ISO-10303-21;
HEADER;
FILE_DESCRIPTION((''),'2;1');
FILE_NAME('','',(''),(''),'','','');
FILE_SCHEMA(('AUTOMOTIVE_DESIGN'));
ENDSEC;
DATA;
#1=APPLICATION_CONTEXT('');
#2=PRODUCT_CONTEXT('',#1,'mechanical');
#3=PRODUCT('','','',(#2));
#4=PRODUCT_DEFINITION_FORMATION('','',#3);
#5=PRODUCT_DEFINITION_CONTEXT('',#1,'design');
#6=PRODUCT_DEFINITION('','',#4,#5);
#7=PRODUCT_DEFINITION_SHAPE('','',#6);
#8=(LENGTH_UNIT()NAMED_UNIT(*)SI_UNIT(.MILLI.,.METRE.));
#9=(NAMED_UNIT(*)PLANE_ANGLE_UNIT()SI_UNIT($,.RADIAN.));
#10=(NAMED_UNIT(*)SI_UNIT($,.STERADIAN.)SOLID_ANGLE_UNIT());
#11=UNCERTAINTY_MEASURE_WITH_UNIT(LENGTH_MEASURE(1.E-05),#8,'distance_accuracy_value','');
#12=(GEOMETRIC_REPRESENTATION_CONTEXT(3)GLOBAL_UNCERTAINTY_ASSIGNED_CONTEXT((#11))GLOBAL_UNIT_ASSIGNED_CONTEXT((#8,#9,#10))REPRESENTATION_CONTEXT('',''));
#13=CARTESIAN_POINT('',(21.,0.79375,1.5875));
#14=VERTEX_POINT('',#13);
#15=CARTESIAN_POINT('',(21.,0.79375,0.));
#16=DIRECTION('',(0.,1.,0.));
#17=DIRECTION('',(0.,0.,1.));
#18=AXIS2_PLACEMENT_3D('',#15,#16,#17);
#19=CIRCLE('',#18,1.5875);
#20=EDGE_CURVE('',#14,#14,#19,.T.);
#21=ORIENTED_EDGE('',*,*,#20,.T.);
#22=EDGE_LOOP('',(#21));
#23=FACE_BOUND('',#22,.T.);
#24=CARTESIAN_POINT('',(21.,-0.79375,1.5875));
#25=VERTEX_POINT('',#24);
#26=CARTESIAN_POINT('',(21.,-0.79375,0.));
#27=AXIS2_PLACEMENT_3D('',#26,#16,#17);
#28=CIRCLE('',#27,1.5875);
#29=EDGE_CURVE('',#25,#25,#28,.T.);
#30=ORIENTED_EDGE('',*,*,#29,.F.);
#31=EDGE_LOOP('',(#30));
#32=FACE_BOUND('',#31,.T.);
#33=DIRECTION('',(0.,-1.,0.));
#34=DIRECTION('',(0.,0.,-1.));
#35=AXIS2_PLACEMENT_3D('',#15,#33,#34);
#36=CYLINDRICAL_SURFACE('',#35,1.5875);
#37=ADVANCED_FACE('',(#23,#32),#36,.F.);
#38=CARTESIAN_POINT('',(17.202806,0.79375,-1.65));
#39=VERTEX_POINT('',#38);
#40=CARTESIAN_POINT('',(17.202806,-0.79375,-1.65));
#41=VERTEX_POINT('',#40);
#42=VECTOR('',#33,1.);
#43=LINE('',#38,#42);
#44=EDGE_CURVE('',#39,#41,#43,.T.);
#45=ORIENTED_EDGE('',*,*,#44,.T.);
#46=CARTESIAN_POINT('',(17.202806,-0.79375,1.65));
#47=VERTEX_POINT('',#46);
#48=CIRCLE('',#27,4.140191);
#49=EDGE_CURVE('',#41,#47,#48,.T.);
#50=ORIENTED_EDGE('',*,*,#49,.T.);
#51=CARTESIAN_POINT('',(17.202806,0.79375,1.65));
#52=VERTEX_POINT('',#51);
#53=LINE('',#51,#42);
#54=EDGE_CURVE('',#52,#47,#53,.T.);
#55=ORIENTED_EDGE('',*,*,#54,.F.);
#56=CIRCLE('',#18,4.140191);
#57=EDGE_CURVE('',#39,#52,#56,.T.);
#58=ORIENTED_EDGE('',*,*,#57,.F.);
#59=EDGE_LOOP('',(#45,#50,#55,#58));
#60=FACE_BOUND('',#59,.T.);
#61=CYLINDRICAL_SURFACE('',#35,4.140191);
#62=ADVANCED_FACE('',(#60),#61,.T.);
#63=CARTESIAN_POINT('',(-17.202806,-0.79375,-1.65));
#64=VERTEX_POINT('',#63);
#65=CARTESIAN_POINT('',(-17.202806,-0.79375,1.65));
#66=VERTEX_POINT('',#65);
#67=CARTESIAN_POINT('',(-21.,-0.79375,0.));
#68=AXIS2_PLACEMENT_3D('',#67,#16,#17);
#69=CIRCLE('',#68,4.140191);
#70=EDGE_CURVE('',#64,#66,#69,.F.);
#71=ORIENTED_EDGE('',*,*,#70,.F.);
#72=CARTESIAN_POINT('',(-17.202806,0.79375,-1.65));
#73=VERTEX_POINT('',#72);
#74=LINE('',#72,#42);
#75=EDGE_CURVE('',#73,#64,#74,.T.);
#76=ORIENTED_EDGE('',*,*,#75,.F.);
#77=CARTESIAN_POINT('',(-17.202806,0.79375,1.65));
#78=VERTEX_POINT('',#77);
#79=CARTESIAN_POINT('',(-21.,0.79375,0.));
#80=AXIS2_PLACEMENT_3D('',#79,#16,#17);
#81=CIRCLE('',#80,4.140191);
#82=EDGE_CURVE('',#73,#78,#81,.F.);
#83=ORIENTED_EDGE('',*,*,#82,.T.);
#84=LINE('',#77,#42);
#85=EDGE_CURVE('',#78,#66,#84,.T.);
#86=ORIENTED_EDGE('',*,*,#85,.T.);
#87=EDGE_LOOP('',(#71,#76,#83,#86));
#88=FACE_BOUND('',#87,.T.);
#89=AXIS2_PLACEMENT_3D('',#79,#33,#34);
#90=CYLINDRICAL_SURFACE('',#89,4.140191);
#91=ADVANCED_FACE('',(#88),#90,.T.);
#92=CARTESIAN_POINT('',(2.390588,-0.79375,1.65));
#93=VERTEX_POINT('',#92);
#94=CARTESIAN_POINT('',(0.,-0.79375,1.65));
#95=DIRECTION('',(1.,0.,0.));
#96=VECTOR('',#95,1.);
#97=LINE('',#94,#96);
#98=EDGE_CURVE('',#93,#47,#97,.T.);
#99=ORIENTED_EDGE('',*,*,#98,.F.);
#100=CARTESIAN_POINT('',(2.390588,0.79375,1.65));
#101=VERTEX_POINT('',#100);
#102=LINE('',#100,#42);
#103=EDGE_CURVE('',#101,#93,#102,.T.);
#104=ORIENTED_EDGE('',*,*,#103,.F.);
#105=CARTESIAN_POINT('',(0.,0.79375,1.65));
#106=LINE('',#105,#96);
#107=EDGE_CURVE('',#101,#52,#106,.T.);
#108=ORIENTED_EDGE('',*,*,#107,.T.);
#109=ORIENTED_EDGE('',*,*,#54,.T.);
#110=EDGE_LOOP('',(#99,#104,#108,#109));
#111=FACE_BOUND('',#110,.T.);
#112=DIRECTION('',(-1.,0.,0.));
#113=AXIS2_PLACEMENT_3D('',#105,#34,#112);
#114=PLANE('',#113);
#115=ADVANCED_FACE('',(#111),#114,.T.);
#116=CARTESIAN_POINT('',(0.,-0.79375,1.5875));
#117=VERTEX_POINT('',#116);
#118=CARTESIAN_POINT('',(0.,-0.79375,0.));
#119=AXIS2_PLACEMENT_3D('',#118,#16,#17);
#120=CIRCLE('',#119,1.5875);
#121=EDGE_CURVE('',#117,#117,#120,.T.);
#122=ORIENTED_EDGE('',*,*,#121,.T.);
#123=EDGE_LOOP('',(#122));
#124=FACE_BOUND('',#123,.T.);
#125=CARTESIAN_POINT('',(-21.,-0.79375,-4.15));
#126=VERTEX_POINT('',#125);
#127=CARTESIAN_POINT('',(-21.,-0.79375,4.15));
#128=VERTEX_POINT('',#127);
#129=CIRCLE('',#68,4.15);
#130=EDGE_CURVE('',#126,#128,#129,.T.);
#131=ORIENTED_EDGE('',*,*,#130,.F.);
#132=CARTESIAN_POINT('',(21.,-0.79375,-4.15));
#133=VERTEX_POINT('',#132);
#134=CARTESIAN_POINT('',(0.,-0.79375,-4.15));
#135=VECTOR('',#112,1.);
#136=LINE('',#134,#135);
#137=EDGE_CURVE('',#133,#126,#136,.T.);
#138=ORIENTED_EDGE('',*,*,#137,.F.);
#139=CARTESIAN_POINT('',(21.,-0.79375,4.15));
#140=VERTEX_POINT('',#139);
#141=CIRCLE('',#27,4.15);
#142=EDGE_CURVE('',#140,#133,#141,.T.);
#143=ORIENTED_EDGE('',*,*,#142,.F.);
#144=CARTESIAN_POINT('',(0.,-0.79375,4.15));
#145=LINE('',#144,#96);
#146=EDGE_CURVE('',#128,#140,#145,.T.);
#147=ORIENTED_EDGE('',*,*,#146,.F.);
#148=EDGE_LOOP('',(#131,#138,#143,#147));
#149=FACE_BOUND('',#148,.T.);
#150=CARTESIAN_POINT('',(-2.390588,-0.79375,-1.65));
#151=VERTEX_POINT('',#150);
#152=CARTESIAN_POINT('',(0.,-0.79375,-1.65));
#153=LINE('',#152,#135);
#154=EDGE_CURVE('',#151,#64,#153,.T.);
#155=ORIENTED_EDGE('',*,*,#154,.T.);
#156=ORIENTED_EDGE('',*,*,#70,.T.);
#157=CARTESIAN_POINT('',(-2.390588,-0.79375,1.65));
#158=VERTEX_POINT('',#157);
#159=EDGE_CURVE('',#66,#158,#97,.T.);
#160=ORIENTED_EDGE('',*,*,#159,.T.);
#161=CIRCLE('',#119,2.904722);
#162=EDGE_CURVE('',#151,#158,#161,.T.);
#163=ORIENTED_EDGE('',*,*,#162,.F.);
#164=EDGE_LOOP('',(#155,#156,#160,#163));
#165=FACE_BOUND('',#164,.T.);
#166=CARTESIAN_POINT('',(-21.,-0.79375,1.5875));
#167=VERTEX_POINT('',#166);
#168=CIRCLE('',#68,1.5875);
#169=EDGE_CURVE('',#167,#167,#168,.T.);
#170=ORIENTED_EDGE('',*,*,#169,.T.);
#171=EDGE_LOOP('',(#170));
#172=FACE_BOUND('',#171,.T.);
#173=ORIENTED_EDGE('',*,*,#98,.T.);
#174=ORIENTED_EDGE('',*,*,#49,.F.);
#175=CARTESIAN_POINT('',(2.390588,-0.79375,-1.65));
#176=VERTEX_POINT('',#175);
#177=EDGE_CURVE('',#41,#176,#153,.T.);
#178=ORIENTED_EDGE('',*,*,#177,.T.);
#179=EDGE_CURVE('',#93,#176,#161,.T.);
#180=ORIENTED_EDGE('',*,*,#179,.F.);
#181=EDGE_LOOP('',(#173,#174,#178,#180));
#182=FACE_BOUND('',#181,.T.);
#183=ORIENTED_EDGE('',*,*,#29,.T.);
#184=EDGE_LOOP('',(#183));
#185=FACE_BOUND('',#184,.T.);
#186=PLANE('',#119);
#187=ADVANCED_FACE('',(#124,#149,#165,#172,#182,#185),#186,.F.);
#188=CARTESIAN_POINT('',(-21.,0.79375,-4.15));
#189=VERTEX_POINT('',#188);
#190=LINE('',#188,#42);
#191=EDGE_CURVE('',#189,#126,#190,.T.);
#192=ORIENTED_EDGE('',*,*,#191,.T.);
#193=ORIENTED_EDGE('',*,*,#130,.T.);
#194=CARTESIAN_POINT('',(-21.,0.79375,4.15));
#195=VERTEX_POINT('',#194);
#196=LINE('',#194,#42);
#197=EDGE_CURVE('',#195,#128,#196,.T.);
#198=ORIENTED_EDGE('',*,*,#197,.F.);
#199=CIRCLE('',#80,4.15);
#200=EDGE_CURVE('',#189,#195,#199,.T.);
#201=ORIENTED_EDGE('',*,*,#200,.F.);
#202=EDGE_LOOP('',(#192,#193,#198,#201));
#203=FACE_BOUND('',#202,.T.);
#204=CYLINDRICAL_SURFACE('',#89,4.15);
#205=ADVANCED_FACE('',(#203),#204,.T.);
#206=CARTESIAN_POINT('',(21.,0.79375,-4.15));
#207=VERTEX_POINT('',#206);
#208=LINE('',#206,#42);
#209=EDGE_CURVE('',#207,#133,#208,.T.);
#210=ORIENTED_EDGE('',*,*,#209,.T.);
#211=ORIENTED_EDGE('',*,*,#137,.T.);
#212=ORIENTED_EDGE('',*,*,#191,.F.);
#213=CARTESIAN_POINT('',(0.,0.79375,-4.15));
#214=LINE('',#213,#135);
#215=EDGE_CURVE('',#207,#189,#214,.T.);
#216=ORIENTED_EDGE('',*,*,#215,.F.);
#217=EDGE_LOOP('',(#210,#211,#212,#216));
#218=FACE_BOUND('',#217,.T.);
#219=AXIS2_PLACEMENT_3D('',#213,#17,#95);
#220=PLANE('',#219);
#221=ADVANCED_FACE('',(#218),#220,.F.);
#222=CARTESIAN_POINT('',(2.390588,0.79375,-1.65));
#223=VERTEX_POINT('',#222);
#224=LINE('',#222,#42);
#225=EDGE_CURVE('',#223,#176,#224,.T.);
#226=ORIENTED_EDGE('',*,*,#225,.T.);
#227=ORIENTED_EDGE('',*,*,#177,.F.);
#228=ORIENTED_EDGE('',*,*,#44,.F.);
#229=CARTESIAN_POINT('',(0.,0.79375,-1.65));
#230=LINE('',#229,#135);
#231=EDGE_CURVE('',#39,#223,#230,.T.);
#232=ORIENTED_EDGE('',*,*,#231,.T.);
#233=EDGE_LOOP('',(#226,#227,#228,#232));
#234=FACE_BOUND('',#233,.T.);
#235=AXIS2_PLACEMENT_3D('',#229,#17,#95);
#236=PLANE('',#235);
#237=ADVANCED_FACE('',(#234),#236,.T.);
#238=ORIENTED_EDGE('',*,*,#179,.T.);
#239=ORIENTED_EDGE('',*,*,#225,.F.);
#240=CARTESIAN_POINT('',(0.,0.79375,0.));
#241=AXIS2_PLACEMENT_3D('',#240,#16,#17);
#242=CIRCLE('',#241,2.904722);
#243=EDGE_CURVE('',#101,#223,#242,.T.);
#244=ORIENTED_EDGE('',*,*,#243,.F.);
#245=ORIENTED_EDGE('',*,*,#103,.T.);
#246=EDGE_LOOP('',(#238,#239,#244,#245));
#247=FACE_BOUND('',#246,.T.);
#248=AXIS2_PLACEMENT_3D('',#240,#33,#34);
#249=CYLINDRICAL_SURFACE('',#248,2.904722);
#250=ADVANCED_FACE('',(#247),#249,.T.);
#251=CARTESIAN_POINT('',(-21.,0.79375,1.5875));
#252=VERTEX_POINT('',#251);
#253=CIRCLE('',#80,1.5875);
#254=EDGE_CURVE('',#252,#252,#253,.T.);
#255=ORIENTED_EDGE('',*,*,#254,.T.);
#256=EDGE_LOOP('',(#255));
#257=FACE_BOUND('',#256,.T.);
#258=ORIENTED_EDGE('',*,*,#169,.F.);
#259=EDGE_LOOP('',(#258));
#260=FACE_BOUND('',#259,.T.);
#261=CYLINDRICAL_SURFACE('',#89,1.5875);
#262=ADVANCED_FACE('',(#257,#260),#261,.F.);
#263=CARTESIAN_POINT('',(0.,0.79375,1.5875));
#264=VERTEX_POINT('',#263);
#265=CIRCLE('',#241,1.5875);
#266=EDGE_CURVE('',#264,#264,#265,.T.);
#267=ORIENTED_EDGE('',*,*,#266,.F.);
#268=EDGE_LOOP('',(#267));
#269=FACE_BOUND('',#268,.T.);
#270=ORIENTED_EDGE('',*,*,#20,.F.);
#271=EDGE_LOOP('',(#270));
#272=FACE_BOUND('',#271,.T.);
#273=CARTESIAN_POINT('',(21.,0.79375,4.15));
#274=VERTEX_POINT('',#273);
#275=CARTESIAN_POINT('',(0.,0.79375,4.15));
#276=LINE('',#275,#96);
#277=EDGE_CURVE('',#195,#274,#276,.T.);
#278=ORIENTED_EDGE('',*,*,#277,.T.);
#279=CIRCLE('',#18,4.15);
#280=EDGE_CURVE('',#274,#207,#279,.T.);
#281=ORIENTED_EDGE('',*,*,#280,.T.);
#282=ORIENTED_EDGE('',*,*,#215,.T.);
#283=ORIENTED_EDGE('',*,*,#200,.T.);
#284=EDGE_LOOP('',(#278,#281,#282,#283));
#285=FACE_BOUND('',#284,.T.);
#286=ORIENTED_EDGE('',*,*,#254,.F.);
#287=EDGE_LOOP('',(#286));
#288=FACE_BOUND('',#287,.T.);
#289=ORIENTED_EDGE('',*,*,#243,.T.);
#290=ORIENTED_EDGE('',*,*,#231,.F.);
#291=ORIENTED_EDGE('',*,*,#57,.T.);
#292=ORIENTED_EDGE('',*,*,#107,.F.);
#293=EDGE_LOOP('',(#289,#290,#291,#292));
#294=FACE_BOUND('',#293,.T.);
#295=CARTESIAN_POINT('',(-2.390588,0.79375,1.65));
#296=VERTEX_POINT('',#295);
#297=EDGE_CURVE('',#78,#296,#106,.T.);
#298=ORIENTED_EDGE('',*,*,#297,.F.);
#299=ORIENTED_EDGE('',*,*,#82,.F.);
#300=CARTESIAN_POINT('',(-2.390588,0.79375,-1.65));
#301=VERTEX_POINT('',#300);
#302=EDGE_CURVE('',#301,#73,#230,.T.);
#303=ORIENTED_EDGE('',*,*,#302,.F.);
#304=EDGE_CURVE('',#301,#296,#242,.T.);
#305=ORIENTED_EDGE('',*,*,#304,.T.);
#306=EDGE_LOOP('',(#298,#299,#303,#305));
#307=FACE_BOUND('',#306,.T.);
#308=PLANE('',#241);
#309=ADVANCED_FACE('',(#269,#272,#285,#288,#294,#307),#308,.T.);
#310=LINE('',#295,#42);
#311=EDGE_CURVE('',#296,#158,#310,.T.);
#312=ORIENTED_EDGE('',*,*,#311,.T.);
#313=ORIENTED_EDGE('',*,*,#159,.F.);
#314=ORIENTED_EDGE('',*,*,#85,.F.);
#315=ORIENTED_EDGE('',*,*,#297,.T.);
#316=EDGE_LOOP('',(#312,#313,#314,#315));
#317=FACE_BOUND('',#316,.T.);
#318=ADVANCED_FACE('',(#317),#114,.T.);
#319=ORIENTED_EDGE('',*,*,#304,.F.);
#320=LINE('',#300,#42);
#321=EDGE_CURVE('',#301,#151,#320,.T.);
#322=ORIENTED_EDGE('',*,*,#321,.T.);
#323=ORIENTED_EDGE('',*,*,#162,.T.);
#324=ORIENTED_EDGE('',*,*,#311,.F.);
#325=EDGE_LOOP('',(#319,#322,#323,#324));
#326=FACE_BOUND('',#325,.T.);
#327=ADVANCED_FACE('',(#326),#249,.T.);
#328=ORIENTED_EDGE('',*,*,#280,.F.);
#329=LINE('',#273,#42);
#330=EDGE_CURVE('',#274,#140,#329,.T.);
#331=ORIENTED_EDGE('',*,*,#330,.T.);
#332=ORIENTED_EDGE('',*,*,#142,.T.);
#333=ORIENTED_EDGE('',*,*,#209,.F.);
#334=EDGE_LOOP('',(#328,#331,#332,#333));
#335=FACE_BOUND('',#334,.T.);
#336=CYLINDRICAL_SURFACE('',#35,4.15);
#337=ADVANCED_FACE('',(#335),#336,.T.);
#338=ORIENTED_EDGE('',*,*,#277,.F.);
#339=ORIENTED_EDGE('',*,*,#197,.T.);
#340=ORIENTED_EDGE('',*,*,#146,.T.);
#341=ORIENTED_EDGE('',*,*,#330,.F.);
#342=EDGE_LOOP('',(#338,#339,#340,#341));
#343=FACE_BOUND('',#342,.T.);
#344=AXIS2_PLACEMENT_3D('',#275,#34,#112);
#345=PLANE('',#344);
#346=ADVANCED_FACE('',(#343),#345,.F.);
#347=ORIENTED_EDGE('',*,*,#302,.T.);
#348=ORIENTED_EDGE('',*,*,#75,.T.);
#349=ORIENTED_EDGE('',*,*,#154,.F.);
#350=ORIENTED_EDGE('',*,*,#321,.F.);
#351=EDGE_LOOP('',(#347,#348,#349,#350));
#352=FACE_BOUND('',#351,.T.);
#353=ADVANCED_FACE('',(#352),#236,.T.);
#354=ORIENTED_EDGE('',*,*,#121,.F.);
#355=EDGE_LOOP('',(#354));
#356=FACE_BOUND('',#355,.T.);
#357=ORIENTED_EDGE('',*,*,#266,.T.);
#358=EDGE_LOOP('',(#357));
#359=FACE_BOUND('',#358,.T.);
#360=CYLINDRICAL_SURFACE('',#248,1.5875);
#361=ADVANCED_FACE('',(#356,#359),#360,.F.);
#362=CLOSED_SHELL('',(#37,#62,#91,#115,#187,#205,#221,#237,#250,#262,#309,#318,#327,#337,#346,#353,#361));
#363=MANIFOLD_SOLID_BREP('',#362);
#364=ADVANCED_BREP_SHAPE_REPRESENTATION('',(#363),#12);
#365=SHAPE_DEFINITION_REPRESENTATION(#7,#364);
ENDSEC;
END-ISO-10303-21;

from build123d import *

# Parameters (mm, degrees)
SKETCH1_R           = 1.5875
BOSS_EXTRUDE2_DEPTH = 0.79375


with BuildPart() as part:
    # Sketch1 → Boss-Extrude2 (new, symmetric)
    with BuildSketch(Plane(origin=(0, 0, 0), x_dir=(1, 0, 0), z_dir=(0, 1, 0))):
        with BuildLine():
            Line((21, 4.15), (-21, 4.15))
            ThreePointArc((-21, 4.15), (-25.15, 0), (-21, -4.15))
            Line((-21, -4.15), (21, -4.15))
            ThreePointArc((21, -4.15), (25.15, 0), (21, 4.15))
        make_face()
        with Locations(Location((21, 0, 0), (0, 0, 270))):
            Circle(SKETCH1_R, mode=Mode.SUBTRACT)
        with Locations(Location((-21, 0, 0), (0, 0, 270))):
            Circle(SKETCH1_R, mode=Mode.SUBTRACT)
        with Locations(Location((0, 0, 0), (0, 0, 270))):
            Circle(SKETCH1_R, mode=Mode.SUBTRACT)
        with BuildLine():
            Line((17.202806092, 1.65), (2.390587638, 1.65))
            ThreePointArc((2.390587638, 1.65), (2.904721889, 0), (2.390587638, -1.65))
            Line((2.390587638, -1.65), (17.202806092, -1.65))
            ThreePointArc((17.202806092, -1.65), (16.859808992, 0), (17.202806092, 1.65))
        make_face(mode=Mode.SUBTRACT)
        with BuildLine():
            Line((-17.202806092, -1.65), (-2.390587638, -1.65))
            ThreePointArc((-2.390587638, -1.65), (-2.904721889, 0), (-2.390587638, 1.65))
            Line((-2.390587638, 1.65), (-17.202806092, 1.65))
            ThreePointArc((-17.202806092, 1.65), (-16.859808992, 0), (-17.202806092, -1.65))
        make_face(mode=Mode.SUBTRACT)
    extrude(amount=BOSS_EXTRUDE2_DEPTH, both=True)


solid = part.part
